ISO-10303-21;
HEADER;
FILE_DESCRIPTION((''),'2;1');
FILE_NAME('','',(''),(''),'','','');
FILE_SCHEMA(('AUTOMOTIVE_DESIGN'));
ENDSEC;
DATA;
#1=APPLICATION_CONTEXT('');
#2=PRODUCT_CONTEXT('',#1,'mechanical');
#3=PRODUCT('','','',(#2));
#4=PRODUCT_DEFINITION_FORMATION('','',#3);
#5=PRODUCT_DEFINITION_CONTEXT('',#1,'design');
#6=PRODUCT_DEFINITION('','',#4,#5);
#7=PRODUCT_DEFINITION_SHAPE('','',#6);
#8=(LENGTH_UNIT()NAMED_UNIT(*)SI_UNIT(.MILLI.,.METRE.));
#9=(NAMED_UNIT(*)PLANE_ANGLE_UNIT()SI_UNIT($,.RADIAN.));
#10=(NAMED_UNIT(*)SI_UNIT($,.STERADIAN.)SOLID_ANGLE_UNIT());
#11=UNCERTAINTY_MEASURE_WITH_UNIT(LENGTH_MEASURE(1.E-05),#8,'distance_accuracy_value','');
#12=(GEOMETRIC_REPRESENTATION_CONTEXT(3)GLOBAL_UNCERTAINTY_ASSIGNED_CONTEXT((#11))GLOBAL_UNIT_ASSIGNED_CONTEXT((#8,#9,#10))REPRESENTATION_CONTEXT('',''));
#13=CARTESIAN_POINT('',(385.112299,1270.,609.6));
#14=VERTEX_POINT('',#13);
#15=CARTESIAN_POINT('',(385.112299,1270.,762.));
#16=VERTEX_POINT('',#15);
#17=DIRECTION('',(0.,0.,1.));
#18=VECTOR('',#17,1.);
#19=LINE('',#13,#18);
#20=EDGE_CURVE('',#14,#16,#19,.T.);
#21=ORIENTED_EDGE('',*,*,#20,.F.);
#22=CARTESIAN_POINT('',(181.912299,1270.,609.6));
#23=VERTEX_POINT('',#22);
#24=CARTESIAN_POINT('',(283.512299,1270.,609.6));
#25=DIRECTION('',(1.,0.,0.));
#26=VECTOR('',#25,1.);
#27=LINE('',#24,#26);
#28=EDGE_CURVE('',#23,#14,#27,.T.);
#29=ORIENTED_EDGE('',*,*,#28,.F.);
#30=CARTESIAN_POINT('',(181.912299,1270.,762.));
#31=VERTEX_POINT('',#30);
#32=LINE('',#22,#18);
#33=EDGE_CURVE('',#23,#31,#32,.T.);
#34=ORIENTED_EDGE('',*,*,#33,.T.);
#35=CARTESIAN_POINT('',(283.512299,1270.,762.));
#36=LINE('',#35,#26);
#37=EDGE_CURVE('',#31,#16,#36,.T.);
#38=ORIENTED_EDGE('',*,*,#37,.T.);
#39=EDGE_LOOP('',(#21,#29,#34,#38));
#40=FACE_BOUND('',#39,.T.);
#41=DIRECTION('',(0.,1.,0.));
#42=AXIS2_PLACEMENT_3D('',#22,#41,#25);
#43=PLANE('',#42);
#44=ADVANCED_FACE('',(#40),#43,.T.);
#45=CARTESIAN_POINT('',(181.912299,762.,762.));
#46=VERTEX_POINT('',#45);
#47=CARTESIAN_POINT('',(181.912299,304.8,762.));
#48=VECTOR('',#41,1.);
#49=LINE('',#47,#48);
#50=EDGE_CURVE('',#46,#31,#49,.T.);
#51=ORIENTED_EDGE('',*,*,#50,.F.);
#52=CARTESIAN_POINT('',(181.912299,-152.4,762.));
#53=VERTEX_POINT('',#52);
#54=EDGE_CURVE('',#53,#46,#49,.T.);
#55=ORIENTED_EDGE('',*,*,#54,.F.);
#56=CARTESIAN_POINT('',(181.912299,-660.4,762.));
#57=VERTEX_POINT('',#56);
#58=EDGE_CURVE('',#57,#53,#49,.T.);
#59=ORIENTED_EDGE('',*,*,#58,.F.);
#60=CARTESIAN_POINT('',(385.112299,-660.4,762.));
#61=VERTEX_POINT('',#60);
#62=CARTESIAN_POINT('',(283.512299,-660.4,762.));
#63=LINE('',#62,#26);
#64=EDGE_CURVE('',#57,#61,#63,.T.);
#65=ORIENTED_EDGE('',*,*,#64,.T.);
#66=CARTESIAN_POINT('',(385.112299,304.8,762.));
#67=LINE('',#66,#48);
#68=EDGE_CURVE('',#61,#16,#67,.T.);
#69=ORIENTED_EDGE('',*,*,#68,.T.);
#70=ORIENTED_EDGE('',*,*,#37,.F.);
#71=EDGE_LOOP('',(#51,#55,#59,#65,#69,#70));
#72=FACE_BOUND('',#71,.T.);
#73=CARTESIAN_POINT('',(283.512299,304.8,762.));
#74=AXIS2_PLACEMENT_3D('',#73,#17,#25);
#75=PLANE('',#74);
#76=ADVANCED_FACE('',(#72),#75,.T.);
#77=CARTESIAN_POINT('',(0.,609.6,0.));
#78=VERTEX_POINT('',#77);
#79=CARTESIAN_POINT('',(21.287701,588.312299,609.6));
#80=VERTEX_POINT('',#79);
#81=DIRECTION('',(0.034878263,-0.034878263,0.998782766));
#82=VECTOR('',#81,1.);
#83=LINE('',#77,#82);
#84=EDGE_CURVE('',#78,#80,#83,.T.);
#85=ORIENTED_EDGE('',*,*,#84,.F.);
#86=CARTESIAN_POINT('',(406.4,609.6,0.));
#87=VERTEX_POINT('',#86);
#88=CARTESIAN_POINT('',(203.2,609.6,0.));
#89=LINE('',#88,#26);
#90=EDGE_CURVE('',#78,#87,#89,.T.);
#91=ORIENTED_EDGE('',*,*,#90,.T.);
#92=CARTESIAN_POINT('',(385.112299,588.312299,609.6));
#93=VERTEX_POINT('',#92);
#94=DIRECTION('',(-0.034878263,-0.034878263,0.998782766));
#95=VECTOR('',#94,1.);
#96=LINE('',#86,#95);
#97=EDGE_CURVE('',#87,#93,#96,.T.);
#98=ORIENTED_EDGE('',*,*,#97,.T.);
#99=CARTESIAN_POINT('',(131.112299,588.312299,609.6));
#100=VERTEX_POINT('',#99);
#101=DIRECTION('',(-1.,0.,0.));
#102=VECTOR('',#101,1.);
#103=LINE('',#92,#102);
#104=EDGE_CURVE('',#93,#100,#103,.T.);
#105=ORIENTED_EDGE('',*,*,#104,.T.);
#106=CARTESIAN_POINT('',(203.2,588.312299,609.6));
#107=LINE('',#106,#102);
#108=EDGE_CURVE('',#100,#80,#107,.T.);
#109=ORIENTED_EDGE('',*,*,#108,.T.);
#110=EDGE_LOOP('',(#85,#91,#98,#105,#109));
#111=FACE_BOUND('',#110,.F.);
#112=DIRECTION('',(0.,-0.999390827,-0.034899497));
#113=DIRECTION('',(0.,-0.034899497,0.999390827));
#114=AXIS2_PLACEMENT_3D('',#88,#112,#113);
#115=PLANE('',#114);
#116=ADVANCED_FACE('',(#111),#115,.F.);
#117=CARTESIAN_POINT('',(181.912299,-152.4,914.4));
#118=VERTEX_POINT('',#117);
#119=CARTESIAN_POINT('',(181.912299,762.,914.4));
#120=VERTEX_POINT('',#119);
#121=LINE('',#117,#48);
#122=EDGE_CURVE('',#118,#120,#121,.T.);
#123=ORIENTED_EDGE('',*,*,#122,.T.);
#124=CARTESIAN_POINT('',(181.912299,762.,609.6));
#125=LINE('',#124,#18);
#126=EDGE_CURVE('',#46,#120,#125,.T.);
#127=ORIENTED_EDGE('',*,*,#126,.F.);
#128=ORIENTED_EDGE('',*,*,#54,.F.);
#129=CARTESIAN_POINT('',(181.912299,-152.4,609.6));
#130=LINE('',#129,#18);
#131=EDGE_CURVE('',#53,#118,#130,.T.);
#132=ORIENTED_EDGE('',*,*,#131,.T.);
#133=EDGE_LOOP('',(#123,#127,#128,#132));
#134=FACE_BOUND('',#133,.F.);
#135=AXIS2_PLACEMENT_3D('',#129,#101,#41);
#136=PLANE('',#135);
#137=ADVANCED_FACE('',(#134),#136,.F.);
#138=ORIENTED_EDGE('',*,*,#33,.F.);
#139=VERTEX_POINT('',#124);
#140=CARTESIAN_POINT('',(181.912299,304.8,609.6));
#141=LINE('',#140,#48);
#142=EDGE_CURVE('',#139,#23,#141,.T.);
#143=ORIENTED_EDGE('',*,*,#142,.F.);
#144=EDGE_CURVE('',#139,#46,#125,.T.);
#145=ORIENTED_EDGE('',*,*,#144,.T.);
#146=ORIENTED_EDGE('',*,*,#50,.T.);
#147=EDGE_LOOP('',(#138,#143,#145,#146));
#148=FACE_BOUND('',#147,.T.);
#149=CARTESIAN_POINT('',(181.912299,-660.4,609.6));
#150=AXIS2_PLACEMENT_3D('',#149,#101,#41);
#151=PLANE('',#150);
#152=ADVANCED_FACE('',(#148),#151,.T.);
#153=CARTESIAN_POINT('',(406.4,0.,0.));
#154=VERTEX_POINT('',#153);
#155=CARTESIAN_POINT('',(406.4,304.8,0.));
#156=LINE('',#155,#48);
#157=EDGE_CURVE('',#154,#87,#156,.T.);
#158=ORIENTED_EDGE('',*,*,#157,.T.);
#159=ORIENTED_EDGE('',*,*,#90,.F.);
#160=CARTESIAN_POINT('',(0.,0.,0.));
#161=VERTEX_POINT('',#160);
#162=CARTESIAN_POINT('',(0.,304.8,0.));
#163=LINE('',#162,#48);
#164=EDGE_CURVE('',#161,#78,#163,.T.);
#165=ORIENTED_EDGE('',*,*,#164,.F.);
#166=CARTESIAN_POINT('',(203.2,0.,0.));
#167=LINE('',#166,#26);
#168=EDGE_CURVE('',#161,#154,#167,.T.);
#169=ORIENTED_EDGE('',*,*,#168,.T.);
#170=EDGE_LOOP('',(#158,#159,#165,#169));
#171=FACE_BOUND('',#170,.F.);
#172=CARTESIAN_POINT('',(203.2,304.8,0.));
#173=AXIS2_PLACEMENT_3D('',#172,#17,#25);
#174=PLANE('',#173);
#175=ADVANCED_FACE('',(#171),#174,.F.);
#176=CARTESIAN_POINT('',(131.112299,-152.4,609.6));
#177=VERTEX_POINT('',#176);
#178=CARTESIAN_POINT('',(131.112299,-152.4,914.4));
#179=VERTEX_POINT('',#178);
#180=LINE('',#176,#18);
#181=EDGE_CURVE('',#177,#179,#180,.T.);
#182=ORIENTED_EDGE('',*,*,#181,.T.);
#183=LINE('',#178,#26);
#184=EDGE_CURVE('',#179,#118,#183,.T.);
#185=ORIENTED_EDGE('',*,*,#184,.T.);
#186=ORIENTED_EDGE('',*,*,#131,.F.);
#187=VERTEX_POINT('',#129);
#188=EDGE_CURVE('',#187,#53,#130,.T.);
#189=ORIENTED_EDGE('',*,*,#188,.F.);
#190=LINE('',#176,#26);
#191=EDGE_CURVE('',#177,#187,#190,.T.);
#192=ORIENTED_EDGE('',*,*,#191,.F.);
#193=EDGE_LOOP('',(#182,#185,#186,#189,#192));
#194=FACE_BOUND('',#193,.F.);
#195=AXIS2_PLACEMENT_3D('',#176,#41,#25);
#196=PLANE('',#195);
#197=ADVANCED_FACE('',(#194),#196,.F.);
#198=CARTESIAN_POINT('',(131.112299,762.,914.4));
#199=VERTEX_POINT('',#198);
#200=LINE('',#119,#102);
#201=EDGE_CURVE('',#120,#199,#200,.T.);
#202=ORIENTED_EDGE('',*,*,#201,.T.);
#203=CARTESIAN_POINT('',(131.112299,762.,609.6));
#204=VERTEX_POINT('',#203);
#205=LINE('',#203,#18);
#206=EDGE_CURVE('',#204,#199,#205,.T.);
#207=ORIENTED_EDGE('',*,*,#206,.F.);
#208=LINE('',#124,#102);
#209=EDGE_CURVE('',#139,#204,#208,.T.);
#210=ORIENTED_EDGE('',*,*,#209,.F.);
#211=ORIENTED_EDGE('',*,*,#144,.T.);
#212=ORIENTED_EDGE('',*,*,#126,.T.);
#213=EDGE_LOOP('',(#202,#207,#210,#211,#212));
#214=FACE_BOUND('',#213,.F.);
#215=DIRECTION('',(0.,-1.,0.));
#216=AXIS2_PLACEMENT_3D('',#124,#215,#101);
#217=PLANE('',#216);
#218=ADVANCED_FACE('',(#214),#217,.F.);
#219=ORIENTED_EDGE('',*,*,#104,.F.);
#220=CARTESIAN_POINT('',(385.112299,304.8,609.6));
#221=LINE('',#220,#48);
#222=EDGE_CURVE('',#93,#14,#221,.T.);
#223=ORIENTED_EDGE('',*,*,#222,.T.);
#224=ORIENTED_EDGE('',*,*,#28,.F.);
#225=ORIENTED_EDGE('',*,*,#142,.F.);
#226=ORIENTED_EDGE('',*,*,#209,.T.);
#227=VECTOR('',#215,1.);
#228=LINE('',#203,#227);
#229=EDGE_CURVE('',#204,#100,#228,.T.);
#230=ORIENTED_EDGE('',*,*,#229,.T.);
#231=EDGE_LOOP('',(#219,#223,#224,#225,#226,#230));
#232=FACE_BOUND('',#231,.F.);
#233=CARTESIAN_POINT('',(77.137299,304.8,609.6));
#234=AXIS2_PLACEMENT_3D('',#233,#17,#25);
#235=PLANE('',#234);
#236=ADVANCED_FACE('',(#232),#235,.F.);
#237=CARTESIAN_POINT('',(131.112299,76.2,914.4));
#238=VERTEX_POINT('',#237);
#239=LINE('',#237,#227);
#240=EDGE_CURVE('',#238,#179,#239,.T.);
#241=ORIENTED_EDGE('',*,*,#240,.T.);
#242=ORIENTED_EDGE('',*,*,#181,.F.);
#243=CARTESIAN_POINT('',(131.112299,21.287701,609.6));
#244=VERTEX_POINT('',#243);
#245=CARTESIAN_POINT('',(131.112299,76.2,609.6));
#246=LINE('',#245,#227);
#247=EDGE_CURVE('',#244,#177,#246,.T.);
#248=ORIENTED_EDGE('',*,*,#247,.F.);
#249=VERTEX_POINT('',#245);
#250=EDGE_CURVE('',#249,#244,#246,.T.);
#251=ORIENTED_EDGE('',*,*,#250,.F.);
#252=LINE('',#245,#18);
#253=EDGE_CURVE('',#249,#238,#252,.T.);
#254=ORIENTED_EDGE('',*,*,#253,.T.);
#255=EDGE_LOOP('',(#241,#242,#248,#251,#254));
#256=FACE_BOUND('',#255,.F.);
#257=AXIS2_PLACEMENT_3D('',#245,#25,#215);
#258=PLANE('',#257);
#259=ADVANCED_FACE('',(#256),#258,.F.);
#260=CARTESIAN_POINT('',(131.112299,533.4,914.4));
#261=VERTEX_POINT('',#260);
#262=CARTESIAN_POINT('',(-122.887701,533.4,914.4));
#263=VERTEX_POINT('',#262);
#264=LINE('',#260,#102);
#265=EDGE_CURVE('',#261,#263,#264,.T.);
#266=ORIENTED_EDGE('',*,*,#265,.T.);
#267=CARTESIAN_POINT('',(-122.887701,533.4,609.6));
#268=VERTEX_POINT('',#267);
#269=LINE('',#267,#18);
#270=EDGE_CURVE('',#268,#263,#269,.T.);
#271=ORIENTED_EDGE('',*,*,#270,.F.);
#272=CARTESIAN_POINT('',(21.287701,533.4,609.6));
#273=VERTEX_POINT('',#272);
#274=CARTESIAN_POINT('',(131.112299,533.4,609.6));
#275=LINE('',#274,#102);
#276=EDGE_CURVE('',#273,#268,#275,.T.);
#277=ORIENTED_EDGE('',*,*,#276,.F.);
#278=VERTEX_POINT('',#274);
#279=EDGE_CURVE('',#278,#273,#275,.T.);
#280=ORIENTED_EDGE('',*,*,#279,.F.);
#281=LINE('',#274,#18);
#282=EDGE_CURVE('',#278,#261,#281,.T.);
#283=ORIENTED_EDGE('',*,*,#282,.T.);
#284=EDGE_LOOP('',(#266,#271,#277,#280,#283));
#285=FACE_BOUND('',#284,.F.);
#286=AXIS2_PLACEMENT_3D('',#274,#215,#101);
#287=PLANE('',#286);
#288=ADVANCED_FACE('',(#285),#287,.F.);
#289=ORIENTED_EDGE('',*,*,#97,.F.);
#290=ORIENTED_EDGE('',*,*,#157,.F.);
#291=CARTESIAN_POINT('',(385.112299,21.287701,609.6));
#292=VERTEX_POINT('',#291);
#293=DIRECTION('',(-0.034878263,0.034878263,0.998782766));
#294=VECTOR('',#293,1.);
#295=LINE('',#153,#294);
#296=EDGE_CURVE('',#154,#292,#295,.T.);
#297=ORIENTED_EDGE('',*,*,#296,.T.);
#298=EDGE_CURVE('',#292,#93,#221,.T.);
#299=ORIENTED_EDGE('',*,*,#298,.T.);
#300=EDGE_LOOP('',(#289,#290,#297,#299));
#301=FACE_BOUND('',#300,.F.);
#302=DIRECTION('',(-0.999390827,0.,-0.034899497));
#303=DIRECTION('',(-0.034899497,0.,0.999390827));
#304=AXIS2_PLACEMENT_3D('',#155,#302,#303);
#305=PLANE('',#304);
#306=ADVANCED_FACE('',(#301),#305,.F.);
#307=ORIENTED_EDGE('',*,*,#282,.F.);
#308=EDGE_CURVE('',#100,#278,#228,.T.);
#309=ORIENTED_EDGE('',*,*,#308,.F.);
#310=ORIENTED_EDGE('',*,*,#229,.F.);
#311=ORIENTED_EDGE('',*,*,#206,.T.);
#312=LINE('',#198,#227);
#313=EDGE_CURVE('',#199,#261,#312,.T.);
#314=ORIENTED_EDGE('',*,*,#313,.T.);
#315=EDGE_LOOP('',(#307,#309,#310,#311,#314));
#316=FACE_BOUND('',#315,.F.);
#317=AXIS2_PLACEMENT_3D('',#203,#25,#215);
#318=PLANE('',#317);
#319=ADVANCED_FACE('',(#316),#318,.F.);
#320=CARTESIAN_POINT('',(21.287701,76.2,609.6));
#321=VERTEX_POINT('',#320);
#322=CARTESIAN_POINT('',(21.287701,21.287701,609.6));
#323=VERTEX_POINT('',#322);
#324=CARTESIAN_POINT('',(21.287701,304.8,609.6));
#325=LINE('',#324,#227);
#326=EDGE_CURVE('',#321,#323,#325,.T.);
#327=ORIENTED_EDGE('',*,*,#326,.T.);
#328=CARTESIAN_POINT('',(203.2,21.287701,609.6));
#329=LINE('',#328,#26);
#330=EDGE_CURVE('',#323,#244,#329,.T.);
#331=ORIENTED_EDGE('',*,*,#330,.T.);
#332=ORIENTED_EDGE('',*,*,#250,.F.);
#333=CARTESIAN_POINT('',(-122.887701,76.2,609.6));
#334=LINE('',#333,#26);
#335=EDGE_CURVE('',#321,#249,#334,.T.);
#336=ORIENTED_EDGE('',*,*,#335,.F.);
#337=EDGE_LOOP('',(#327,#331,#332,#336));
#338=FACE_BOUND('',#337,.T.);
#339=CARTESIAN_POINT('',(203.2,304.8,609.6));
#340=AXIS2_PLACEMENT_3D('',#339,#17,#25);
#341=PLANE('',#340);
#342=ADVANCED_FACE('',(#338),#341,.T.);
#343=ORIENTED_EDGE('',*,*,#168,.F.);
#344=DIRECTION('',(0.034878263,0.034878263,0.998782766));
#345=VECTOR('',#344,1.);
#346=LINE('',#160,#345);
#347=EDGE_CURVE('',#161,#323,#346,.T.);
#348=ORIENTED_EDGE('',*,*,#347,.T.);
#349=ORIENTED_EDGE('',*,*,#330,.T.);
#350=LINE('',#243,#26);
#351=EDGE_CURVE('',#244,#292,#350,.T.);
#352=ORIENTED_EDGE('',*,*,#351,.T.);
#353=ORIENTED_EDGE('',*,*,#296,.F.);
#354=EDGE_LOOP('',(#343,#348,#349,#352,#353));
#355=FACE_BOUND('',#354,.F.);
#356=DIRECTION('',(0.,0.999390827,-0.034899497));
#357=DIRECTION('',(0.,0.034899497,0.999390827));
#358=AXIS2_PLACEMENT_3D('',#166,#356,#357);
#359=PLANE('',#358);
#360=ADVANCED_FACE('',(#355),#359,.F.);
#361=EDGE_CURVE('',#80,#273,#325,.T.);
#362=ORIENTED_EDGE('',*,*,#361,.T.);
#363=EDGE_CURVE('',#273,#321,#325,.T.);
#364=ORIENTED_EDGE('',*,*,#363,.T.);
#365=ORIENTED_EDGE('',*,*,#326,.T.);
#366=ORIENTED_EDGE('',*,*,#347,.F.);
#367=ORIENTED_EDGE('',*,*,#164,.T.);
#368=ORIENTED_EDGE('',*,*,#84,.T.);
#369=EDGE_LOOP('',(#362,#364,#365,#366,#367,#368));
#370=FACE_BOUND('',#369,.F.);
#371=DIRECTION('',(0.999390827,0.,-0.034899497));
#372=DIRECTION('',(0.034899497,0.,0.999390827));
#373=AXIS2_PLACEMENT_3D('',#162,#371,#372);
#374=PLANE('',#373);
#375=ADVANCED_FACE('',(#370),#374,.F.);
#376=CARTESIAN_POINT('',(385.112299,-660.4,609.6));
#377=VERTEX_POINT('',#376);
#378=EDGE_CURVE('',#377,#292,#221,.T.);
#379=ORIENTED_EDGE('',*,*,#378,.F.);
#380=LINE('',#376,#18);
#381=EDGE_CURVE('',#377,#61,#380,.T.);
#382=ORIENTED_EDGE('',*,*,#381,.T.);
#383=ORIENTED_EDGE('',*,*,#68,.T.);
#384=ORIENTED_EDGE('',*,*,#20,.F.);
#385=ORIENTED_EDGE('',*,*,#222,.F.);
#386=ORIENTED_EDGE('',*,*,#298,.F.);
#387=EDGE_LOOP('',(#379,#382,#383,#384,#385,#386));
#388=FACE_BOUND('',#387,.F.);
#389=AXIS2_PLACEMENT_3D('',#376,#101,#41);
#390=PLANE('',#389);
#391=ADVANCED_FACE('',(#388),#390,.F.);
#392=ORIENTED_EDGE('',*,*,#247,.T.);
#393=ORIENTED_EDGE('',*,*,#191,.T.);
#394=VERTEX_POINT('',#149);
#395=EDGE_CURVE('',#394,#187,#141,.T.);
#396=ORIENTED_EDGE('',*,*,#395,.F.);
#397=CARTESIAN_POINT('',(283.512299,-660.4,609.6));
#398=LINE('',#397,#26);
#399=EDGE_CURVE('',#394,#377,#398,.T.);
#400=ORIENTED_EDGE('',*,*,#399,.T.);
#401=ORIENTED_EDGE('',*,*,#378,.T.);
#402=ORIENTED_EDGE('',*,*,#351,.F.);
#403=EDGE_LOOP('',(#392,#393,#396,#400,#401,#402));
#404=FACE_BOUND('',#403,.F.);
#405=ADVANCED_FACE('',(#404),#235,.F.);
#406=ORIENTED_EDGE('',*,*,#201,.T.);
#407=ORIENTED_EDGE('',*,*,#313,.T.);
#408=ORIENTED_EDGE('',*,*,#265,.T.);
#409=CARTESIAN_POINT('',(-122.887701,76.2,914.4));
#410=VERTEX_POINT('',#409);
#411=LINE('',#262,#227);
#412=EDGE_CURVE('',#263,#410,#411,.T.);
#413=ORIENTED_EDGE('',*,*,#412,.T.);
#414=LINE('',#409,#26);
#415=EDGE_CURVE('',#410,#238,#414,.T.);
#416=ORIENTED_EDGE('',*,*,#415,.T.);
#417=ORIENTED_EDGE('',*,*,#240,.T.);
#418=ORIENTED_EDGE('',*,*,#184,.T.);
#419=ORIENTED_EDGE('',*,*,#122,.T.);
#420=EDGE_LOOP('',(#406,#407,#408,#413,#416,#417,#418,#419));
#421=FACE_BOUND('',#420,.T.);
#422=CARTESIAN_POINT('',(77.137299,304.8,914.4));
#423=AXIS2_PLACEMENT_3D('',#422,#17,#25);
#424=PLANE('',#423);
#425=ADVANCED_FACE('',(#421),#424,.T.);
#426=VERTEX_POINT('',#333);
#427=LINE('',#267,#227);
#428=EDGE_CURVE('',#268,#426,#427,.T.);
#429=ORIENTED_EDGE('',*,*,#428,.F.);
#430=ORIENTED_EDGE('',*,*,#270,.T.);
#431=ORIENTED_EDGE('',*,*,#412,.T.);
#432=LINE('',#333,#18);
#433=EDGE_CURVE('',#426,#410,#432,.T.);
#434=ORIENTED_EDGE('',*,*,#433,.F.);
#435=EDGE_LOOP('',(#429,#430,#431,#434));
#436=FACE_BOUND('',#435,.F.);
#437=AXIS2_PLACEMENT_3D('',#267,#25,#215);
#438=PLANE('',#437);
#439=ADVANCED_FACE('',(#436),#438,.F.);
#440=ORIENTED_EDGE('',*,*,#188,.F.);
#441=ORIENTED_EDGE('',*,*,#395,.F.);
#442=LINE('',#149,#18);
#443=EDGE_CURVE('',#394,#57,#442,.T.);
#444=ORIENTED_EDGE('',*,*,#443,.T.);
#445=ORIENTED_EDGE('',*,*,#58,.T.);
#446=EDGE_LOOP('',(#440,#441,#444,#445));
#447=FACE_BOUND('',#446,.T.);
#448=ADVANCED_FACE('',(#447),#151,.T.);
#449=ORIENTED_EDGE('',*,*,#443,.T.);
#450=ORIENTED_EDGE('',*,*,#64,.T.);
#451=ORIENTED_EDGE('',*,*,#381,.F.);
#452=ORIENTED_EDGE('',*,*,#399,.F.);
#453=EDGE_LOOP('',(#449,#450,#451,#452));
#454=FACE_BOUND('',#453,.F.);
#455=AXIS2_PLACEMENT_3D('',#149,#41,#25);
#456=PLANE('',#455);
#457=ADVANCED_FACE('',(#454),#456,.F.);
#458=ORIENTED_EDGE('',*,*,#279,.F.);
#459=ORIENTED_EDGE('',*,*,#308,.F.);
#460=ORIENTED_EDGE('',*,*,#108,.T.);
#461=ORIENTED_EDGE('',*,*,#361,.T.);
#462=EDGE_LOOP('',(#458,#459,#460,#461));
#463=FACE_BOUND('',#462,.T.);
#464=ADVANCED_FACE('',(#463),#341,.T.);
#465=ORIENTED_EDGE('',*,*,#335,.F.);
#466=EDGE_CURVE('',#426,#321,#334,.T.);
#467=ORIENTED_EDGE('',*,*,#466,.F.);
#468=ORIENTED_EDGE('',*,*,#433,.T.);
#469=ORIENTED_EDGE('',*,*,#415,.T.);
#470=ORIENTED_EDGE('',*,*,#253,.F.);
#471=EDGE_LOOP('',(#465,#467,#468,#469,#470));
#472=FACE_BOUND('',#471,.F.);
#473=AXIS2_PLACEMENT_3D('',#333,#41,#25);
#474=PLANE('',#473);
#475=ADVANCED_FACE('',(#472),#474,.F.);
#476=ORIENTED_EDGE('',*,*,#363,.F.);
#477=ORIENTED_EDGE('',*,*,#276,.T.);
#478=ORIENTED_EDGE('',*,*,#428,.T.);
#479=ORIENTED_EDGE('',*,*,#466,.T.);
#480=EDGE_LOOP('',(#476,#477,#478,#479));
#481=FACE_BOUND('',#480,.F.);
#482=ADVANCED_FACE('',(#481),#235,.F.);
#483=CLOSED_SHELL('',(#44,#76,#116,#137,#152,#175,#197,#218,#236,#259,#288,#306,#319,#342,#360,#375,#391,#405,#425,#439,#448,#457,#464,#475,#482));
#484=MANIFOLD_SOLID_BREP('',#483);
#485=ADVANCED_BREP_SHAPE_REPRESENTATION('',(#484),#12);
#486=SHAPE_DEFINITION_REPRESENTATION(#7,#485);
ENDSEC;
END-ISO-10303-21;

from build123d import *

# Parameters (mm, degrees)
F0_W     = 406.4
F0_H     = 609.6
F1_DEPTH = 609.6
F1_TAPER = 2
F2_W     = 203.2
F2_H     = 1930.4
F3_DEPTH = 152.4
F5_DEPTH = 304.8


with BuildPart() as f1:
    # F0 (on Top) → F1 (new body)
    with BuildSketch(Plane.XY):
        with Locations((203.2, 304.8)):
            Rectangle(F0_W, F0_H)
    extrude(amount=F1_DEPTH, taper=F1_TAPER)

    # F2 (on face) → F3 (join)
    with BuildSketch(Plane.XY.offset(609.6)):
        with Locations((283.5122989178, 304.8)):
            Rectangle(F2_W, F2_H)
    extrude(amount=F3_DEPTH)

    # F4 (on face) → F5 (join)
    with BuildSketch(Plane.XY.offset(609.6)):
        Polygon((181.9122989178, -152.4), (181.9122989178, 762), (131.1122989178, 762), (131.1122989178, 533.4), (-122.8877010822, 533.4), (-122.8877010822, 76.2), (131.1122989178, 76.2), (131.1122989178, -152.4), align=None)
    extrude(amount=F5_DEPTH)


solid = f1.part
